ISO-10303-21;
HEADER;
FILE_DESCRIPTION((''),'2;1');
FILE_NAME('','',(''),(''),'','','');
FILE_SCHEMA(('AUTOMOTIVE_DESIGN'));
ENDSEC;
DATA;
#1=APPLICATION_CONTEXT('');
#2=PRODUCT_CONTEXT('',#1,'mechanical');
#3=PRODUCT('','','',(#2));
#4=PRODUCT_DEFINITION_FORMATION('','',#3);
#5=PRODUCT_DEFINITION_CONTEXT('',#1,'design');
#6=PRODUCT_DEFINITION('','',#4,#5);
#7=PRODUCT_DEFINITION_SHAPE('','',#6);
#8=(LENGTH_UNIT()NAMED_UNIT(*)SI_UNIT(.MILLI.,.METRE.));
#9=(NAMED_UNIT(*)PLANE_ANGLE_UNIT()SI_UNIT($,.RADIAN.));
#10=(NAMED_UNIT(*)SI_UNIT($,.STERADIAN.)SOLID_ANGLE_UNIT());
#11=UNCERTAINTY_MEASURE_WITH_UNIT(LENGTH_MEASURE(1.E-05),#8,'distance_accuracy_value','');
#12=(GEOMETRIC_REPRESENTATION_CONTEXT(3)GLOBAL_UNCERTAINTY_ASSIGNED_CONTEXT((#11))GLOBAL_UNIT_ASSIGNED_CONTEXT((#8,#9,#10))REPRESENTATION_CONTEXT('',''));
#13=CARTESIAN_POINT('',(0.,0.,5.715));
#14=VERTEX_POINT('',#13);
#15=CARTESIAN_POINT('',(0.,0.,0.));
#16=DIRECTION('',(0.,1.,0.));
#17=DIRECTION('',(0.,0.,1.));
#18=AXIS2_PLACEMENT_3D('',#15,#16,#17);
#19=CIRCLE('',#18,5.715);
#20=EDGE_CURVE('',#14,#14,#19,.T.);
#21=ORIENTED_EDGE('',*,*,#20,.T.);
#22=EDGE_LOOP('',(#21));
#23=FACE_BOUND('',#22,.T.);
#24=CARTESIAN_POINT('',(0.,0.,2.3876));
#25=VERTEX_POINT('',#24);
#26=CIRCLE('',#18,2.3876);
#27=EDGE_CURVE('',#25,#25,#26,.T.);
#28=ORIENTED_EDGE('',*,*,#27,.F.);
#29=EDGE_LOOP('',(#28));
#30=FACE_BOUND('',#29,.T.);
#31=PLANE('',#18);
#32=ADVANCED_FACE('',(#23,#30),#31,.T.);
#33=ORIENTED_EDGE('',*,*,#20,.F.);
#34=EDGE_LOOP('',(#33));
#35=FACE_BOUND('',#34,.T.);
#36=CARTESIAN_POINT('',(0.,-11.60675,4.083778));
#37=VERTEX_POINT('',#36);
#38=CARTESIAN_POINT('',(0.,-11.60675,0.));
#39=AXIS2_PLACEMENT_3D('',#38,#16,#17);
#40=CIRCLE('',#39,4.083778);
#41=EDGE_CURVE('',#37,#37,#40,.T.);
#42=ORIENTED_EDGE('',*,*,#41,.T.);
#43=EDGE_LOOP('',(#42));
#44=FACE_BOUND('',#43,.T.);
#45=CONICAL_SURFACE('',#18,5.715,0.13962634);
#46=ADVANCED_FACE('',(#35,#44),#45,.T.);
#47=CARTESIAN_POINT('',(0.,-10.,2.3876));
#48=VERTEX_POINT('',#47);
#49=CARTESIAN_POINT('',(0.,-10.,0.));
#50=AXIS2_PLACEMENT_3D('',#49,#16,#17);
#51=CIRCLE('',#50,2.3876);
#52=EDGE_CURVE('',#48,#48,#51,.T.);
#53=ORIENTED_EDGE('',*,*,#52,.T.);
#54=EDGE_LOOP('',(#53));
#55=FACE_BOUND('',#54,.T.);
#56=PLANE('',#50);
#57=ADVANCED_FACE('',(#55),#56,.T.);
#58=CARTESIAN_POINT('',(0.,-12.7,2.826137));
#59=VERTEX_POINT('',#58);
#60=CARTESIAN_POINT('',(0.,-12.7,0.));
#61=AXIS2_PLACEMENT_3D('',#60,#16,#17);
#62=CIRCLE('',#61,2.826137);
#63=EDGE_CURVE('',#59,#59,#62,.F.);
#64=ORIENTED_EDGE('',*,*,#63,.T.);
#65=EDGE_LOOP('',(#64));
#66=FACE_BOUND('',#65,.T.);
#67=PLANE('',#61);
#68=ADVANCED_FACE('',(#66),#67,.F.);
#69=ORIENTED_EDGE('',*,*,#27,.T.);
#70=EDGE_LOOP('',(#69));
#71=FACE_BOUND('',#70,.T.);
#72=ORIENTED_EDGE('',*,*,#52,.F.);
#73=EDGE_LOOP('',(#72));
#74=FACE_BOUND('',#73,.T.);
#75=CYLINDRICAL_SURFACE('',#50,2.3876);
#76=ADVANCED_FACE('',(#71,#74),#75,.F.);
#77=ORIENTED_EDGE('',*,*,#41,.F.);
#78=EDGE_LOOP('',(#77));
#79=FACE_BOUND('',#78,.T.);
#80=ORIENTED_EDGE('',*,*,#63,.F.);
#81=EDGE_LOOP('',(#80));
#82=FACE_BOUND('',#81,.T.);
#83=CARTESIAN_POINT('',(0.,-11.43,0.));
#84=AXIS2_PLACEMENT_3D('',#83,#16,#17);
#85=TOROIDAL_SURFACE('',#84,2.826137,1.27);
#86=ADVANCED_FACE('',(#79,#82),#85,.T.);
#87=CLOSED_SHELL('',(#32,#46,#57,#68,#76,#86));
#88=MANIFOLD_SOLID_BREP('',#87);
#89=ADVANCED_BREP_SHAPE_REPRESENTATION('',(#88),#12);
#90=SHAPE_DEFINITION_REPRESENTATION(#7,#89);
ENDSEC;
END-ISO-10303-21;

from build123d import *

# Parameters (mm, degrees)
SKETCH1_R           = 5.715
BOSS_EXTRUDE1_DEPTH = 12.7
BOSS_EXTRUDE1_TAPER = 8
SKETCH2_R           = 2.3876
CUT_EXTRUDE1_DEPTH  = 10
FILLET1_R           = 1.27


with BuildPart() as part:
    # Sketch1 → Boss-Extrude1 (new body)
    with BuildSketch(Plane(origin=(0, 0, 0), x_dir=(1, 0, 0), z_dir=(0, 1, 0))):
        Circle(SKETCH1_R)
    extrude(amount=-BOSS_EXTRUDE1_DEPTH, taper=BOSS_EXTRUDE1_TAPER)

    # Sketch2 → Cut-Extrude1 (cut)
    with BuildSketch(Plane(origin=(0, 0, 0), x_dir=(1, 0, 0), z_dir=(0, 1, 0))):
        Circle(SKETCH2_R)
    extrude(amount=-CUT_EXTRUDE1_DEPTH, mode=Mode.SUBTRACT)

    # Fillet1
    fillet1_edges = [part.edges().sort_by_distance(p)[0] for p in [
        (-3.930131399, -12.7, 0),
    ]]
    fillet(fillet1_edges, radius=FILLET1_R)


solid = part.part
